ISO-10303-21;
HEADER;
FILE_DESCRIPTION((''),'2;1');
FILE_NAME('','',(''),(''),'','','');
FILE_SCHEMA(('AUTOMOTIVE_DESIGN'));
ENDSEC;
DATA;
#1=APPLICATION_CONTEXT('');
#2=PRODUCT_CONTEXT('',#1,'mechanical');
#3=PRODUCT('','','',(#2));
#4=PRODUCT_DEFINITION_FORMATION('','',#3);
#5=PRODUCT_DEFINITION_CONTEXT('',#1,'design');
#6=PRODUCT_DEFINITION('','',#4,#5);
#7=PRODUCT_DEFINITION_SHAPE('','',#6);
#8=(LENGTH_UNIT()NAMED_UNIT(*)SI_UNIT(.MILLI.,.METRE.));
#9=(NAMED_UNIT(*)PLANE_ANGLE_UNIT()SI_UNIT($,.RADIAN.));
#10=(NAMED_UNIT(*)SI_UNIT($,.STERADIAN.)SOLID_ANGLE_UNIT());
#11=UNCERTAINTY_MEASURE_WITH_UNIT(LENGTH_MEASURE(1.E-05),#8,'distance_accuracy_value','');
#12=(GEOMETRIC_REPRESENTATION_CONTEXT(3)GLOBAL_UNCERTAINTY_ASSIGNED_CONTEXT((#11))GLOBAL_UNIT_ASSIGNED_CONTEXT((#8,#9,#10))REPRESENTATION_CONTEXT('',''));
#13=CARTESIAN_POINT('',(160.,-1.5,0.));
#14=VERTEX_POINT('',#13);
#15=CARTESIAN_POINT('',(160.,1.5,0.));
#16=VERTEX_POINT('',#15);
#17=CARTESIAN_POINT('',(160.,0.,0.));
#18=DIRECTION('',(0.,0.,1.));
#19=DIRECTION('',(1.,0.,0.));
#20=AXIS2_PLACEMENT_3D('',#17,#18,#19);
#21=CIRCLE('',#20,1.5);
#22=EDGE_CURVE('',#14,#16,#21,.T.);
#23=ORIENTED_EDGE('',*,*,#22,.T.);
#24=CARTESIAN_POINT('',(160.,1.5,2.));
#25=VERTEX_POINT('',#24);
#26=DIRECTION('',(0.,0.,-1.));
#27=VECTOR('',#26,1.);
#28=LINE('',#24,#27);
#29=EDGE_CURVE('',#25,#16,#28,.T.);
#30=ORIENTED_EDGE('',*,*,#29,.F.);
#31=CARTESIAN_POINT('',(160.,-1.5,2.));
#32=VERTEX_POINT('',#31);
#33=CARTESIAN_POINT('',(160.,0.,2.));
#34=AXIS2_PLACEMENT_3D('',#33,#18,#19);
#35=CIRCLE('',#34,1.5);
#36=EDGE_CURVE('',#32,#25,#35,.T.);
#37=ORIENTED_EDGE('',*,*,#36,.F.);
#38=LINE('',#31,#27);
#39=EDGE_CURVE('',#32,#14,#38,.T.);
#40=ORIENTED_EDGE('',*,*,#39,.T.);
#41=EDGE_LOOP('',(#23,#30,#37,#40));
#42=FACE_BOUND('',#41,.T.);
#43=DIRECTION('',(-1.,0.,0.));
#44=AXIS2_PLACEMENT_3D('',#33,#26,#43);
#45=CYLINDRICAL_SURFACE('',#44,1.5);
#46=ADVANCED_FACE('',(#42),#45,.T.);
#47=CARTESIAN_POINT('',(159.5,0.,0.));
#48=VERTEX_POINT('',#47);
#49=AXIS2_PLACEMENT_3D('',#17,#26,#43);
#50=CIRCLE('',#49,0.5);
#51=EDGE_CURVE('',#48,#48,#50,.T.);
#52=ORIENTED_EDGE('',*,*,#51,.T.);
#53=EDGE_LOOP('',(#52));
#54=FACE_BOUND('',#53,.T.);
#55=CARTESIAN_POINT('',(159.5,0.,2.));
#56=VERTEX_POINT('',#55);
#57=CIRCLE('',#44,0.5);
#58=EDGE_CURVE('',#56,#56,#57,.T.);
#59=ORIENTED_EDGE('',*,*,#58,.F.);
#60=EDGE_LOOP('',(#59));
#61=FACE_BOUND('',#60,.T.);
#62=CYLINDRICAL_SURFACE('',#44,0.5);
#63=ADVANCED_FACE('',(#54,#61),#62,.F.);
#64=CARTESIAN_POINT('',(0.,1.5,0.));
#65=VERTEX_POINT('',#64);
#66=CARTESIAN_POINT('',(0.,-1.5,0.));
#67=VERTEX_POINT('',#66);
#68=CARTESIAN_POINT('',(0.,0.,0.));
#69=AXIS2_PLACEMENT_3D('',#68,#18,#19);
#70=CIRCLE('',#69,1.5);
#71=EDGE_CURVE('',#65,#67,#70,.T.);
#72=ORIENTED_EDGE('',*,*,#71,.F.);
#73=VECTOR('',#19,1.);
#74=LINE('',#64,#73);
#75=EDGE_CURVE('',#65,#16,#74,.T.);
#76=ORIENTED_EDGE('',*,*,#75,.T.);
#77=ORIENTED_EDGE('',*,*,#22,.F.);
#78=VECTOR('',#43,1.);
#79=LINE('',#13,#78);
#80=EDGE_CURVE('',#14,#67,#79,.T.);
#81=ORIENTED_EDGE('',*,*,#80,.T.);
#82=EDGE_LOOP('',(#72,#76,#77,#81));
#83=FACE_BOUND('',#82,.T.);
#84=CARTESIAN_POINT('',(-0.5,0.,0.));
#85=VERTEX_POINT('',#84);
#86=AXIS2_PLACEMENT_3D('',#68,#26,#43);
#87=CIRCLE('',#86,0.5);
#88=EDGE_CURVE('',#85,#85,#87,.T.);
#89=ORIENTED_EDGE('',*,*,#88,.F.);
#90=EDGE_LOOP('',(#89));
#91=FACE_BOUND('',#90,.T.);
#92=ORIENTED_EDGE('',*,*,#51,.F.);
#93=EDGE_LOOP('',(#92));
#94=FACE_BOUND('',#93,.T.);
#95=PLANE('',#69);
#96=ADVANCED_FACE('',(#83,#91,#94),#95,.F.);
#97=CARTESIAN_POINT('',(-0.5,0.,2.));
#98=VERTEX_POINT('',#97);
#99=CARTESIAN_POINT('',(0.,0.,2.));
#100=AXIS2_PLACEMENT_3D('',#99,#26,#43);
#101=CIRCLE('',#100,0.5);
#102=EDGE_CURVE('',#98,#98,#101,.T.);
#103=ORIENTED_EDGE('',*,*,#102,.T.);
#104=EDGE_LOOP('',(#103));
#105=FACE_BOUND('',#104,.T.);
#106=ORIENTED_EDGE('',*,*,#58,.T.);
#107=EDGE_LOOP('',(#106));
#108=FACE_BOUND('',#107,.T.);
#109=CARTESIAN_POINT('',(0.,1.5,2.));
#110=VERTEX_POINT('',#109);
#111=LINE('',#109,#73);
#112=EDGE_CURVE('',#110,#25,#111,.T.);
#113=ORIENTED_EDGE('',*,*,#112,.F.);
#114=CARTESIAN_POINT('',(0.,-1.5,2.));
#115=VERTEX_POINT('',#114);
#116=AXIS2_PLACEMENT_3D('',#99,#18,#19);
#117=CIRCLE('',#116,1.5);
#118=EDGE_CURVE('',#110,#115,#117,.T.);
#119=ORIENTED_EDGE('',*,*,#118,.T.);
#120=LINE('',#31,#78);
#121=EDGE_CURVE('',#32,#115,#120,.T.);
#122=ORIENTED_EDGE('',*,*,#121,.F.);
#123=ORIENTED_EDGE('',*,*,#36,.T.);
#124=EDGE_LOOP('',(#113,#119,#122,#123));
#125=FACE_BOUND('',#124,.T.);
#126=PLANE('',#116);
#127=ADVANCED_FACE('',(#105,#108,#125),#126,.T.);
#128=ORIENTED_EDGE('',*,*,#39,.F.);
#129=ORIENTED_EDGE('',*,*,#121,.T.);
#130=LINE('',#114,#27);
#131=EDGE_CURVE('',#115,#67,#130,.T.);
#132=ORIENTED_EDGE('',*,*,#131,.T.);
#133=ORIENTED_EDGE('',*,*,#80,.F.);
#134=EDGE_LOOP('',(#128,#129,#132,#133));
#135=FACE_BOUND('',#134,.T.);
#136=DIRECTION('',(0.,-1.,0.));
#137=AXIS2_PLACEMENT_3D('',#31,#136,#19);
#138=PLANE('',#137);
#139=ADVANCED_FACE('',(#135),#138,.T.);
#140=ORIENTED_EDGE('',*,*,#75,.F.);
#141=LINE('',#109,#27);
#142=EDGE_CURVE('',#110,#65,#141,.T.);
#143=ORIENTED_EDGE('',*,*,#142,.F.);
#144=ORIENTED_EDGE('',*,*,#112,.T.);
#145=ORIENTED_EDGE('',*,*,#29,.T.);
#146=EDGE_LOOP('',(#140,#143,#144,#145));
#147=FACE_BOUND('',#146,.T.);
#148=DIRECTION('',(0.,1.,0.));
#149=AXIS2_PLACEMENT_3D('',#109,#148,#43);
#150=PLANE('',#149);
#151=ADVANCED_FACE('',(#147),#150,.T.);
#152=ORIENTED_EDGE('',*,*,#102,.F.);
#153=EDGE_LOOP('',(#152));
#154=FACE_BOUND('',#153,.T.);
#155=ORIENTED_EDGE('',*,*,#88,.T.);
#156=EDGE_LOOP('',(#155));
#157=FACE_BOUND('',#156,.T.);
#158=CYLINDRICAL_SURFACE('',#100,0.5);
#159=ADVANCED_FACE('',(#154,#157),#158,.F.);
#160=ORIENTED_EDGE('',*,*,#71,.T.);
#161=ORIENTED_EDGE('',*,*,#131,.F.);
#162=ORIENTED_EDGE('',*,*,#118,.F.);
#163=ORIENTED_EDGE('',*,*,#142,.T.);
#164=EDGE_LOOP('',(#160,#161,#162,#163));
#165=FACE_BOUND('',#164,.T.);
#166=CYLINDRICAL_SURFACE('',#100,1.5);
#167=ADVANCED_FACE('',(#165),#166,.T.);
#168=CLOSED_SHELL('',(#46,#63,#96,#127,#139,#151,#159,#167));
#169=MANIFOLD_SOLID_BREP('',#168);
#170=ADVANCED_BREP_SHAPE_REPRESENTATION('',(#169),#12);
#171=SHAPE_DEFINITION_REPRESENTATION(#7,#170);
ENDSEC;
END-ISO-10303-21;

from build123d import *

# Parameters (mm, degrees)
EXTRUDE_1_DEPTH     = 2
SKETCH_2_R          = 0.5
CUT_EXTRUDE_1_DEPTH = 2


with BuildPart() as part:
    # 草图1 → 凸台-拉伸1 (new body)
    with BuildSketch(Plane.XY):
        with BuildLine():
            Line((0, 1.5), (160, 1.5))
            ThreePointArc((160, 1.5), (161.5, 0), (160, -1.5))
            Line((160, -1.5), (0, -1.5))
            ThreePointArc((0, -1.5), (-1.5, 0), (0, 1.5))
        make_face()
    extrude(amount=EXTRUDE_1_DEPTH)

    # 草图2 → 切除-拉伸1 (cut)
    with BuildSketch(Plane(origin=(0, 0, 0), x_dir=(-1, 0, 0), z_dir=(0, 0, -1))):
        with Locations((-160, 0)):
            Circle(SKETCH_2_R)
        Circle(SKETCH_2_R)
    extrude(amount=-CUT_EXTRUDE_1_DEPTH, mode=Mode.SUBTRACT)


solid = part.part
